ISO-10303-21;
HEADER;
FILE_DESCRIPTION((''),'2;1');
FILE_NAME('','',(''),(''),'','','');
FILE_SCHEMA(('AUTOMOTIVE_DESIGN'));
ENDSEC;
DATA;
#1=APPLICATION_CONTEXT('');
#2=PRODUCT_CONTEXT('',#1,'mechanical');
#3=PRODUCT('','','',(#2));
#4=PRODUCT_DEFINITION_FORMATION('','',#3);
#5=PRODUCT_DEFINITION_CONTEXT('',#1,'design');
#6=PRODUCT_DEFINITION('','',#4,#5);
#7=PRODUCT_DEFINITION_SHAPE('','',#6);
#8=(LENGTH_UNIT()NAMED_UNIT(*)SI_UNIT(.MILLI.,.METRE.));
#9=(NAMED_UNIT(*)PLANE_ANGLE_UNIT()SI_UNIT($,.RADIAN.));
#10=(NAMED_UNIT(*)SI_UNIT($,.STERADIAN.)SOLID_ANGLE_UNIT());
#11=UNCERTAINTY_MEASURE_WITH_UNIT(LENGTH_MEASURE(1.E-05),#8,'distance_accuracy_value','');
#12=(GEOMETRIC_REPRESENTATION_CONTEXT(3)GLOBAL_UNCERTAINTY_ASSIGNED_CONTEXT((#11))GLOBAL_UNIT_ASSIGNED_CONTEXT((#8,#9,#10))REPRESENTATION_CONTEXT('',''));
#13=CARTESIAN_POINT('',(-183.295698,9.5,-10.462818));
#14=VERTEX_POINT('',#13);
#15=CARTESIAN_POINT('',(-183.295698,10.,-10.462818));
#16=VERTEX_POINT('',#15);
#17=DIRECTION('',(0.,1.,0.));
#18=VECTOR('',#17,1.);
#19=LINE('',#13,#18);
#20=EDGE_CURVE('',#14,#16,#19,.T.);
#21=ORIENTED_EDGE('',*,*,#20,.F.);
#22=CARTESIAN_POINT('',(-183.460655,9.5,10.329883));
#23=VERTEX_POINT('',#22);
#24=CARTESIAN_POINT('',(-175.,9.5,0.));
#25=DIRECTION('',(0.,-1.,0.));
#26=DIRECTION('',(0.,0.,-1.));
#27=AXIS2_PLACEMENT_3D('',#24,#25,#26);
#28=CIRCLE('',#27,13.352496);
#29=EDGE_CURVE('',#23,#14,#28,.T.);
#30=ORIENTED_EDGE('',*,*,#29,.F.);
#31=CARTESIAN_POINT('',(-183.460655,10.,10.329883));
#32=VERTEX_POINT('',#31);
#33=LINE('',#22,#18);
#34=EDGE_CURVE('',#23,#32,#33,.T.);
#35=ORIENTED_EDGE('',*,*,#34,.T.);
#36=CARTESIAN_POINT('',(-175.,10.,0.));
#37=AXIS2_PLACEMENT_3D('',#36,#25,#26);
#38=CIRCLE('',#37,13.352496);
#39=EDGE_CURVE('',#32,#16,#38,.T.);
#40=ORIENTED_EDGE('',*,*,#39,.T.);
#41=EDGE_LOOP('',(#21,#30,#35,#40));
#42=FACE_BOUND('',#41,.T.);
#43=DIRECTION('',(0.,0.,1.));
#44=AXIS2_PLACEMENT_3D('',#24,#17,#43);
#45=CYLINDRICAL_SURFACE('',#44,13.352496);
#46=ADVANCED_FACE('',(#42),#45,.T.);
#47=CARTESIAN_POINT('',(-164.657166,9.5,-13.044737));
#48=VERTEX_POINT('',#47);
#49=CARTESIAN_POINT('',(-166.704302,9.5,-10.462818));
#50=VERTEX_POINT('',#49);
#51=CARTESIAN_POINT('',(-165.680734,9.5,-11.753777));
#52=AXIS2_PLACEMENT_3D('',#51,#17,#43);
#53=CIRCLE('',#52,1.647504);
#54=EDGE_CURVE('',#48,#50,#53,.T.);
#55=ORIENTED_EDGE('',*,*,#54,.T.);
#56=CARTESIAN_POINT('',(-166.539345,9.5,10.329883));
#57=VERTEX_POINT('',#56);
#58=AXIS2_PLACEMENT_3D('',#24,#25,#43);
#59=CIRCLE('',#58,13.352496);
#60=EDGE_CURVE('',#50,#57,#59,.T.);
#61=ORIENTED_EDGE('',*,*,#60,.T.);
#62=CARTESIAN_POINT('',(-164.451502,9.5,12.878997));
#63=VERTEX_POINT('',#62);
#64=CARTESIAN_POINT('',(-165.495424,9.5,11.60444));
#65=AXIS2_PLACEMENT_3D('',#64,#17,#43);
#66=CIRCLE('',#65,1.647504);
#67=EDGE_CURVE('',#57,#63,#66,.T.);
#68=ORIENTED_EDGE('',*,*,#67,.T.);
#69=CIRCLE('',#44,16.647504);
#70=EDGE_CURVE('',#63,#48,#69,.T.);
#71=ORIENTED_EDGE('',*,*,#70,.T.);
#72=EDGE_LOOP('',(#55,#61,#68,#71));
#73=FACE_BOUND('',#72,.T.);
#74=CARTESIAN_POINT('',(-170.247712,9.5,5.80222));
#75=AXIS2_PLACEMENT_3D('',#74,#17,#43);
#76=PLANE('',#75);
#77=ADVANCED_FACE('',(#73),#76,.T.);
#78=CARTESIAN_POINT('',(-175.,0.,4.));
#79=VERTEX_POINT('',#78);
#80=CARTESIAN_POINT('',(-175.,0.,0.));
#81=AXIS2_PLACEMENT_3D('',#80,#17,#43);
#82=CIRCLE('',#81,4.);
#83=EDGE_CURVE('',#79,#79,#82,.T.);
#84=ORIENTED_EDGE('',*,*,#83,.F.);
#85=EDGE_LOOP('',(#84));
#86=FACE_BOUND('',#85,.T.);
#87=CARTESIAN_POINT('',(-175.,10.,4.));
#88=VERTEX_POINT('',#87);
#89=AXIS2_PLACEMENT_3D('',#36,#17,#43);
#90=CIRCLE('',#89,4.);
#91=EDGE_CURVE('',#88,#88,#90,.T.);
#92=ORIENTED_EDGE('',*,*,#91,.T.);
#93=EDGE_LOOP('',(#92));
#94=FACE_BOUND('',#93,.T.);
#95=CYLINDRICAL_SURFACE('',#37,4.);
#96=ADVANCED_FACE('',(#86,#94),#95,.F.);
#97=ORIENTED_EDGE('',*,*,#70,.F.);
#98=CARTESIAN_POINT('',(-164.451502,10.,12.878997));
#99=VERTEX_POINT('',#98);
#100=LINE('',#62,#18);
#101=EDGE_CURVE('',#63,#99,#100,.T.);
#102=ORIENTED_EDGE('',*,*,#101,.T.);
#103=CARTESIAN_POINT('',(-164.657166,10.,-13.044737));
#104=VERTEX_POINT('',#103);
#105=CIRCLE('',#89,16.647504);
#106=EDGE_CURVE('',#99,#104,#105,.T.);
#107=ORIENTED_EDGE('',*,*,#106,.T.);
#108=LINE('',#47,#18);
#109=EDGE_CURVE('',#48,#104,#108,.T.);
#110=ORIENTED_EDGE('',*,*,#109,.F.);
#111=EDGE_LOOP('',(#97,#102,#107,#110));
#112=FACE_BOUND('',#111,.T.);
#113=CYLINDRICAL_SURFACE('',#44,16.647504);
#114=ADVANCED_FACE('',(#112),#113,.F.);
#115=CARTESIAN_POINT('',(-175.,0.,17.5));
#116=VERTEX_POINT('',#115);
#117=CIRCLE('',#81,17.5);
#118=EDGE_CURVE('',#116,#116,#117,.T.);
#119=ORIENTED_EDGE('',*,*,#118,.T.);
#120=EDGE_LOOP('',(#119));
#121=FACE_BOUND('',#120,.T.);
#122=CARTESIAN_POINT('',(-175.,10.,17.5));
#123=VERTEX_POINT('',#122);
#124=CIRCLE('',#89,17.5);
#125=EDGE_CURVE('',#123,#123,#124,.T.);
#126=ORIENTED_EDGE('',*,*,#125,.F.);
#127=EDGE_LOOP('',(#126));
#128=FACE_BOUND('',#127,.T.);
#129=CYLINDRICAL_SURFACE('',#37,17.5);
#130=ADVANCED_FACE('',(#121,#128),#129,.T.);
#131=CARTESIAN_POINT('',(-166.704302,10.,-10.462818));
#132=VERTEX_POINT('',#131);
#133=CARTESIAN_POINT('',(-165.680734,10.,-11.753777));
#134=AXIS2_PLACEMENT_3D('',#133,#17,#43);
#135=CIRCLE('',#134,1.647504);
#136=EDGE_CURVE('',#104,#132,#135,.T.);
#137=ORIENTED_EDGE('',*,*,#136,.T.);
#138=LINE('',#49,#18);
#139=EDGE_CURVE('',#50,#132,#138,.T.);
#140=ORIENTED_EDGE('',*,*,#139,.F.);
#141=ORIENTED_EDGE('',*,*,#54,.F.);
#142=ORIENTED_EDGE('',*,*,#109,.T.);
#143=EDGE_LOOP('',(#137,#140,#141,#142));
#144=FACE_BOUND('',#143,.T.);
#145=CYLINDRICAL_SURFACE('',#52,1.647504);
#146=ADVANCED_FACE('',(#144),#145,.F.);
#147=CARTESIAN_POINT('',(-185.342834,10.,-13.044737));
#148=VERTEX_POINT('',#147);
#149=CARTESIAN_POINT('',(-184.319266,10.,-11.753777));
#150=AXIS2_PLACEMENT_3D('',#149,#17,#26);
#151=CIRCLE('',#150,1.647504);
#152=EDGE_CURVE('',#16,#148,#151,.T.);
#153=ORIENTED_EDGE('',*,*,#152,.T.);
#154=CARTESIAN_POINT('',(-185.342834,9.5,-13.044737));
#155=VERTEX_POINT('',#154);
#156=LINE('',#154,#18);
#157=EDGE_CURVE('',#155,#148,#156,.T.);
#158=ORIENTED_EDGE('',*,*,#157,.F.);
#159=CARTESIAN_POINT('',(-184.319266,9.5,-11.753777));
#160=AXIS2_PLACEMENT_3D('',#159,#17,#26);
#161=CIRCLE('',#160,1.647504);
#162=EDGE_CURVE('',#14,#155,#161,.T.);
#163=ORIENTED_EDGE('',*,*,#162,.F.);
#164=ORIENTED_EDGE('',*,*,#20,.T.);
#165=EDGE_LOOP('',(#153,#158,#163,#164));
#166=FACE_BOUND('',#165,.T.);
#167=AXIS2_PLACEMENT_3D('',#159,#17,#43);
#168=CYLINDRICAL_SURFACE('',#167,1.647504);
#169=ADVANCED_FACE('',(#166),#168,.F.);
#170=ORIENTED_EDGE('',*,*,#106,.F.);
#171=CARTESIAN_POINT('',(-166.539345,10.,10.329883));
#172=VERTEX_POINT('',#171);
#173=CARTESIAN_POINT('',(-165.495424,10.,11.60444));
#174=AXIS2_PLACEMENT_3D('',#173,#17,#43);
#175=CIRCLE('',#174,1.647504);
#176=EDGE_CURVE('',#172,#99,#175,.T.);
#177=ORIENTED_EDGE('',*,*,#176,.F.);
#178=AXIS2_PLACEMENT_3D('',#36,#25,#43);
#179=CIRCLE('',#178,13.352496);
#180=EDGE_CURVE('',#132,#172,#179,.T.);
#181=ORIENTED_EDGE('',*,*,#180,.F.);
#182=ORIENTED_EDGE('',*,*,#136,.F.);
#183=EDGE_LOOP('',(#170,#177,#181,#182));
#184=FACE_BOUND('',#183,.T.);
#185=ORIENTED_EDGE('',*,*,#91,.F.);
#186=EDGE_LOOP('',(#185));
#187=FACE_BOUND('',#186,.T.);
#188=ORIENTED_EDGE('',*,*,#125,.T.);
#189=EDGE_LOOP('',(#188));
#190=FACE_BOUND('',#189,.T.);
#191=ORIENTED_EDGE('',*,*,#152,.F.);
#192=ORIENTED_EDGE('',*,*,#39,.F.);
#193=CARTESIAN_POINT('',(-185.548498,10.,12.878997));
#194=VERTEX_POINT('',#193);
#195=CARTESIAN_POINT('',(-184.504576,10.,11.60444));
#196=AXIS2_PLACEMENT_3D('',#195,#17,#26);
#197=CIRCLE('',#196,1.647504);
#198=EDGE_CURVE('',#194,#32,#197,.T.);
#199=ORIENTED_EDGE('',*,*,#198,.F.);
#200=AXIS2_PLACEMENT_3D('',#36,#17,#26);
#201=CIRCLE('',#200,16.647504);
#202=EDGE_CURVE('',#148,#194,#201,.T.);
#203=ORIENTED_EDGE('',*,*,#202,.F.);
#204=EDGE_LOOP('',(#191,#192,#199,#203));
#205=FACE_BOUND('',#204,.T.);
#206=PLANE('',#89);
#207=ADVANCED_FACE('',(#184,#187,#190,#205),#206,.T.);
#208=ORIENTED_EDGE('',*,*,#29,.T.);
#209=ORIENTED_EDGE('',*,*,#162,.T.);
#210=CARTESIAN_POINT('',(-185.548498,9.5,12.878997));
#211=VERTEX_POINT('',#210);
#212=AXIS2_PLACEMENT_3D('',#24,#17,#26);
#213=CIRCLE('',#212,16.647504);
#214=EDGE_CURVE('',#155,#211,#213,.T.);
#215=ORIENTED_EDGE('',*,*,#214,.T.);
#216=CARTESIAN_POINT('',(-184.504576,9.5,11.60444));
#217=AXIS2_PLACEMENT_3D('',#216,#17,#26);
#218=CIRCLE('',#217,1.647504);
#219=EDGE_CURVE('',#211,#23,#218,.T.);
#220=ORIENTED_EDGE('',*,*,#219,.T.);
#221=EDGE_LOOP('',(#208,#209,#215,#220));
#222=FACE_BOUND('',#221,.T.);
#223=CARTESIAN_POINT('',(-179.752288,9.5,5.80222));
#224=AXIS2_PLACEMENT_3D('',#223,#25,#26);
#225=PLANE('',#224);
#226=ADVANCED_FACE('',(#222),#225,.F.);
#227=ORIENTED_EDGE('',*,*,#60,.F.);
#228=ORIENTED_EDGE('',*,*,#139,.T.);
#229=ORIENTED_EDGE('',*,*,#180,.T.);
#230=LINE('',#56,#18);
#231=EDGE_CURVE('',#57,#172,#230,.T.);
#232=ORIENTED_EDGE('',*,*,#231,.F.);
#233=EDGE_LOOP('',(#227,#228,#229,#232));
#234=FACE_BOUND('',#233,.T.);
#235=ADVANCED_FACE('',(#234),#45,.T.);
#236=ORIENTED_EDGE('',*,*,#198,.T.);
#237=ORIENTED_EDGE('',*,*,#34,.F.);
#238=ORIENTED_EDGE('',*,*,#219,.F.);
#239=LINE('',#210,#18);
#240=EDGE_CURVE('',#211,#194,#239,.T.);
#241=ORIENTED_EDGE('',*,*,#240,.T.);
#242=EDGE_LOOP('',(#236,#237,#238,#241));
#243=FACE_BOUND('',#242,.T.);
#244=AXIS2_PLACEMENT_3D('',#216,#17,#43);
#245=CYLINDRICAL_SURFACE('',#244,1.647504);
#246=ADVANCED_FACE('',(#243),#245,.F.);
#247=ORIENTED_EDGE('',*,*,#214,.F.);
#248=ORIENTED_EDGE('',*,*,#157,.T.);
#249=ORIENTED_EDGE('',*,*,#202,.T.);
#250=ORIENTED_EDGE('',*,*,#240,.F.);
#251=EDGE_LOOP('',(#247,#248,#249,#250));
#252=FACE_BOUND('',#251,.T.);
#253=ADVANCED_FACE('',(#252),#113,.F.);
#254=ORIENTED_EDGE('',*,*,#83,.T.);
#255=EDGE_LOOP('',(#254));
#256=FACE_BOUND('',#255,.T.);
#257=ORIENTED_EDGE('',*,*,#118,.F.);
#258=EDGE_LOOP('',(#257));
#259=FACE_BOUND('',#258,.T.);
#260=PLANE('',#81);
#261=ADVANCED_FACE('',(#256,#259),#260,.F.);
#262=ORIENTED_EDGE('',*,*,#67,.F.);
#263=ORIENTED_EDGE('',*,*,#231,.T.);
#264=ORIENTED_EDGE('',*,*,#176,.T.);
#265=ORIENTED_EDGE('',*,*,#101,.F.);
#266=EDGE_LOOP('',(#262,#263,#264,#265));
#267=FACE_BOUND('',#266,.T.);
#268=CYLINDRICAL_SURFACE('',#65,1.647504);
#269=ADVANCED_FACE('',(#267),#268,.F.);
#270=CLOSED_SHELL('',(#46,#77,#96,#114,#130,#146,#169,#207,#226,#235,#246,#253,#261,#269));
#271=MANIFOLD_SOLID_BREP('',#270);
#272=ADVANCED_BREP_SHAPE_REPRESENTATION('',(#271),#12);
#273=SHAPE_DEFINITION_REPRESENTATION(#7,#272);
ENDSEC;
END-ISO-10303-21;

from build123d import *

# Parameters (mm, degrees)
SKETCH_3_R          = 17.5
SKETCH_3_R_2        = 4
EXTRUDE_1_DEPTH     = 10
CUT_EXTRUDE_1_DEPTH = 0.5


with BuildPart() as part:
    # 草图3 → 凸台-拉伸1 (new body)
    with BuildSketch(Plane(origin=(0, 0, 0), x_dir=(1, 0, 0), z_dir=(0, 1, 0))):
        with Locations(Location((-175, 0, 0), (0, 0, 270))):
            Circle(SKETCH_3_R)
        with Locations(Location((-175, 0, 0), (0, 0, 270))):
            Circle(SKETCH_3_R_2, mode=Mode.SUBTRACT)
    extrude(amount=EXTRUDE_1_DEPTH)

    # 草图5 → 切除-拉伸1 (cut)
    with BuildSketch(Plane(origin=(0, 10, 0), x_dir=(1, 0, 0), z_dir=(0, 1, 0))):
        with BuildLine():
            ThreePointArc((-164.451502199, -12.878997225), (-158.353020286, 0.132067312), (-164.657165804, 13.044736723))
            ThreePointArc((-164.657165804, 13.044736723), (-166.97169342, 12.777345636), (-166.704302333, 10.46281802))
            ThreePointArc((-166.704302333, 10.46281802), (-161.647923755, 0.105927492), (-166.539345315, -10.32988301))
            ThreePointArc((-166.539345315, -10.32988301), (-166.769980864, -12.648361675), (-164.451502199, -12.878997225))
        make_face()
        with BuildLine():
            ThreePointArc((-185.548497801, -12.878997225), (-191.646979714, 0.132067312), (-185.342834196, 13.044736723))
            ThreePointArc((-185.342834196, 13.044736723), (-183.02830658, 12.777345636), (-183.295697667, 10.46281802))
            ThreePointArc((-183.295697667, 10.46281802), (-188.352076245, 0.105927492), (-183.460654685, -10.32988301))
            ThreePointArc((-183.460654685, -10.32988301), (-183.230019136, -12.648361675), (-185.548497801, -12.878997225))
        make_face()
    extrude(amount=-CUT_EXTRUDE_1_DEPTH, mode=Mode.SUBTRACT)


solid = part.part
